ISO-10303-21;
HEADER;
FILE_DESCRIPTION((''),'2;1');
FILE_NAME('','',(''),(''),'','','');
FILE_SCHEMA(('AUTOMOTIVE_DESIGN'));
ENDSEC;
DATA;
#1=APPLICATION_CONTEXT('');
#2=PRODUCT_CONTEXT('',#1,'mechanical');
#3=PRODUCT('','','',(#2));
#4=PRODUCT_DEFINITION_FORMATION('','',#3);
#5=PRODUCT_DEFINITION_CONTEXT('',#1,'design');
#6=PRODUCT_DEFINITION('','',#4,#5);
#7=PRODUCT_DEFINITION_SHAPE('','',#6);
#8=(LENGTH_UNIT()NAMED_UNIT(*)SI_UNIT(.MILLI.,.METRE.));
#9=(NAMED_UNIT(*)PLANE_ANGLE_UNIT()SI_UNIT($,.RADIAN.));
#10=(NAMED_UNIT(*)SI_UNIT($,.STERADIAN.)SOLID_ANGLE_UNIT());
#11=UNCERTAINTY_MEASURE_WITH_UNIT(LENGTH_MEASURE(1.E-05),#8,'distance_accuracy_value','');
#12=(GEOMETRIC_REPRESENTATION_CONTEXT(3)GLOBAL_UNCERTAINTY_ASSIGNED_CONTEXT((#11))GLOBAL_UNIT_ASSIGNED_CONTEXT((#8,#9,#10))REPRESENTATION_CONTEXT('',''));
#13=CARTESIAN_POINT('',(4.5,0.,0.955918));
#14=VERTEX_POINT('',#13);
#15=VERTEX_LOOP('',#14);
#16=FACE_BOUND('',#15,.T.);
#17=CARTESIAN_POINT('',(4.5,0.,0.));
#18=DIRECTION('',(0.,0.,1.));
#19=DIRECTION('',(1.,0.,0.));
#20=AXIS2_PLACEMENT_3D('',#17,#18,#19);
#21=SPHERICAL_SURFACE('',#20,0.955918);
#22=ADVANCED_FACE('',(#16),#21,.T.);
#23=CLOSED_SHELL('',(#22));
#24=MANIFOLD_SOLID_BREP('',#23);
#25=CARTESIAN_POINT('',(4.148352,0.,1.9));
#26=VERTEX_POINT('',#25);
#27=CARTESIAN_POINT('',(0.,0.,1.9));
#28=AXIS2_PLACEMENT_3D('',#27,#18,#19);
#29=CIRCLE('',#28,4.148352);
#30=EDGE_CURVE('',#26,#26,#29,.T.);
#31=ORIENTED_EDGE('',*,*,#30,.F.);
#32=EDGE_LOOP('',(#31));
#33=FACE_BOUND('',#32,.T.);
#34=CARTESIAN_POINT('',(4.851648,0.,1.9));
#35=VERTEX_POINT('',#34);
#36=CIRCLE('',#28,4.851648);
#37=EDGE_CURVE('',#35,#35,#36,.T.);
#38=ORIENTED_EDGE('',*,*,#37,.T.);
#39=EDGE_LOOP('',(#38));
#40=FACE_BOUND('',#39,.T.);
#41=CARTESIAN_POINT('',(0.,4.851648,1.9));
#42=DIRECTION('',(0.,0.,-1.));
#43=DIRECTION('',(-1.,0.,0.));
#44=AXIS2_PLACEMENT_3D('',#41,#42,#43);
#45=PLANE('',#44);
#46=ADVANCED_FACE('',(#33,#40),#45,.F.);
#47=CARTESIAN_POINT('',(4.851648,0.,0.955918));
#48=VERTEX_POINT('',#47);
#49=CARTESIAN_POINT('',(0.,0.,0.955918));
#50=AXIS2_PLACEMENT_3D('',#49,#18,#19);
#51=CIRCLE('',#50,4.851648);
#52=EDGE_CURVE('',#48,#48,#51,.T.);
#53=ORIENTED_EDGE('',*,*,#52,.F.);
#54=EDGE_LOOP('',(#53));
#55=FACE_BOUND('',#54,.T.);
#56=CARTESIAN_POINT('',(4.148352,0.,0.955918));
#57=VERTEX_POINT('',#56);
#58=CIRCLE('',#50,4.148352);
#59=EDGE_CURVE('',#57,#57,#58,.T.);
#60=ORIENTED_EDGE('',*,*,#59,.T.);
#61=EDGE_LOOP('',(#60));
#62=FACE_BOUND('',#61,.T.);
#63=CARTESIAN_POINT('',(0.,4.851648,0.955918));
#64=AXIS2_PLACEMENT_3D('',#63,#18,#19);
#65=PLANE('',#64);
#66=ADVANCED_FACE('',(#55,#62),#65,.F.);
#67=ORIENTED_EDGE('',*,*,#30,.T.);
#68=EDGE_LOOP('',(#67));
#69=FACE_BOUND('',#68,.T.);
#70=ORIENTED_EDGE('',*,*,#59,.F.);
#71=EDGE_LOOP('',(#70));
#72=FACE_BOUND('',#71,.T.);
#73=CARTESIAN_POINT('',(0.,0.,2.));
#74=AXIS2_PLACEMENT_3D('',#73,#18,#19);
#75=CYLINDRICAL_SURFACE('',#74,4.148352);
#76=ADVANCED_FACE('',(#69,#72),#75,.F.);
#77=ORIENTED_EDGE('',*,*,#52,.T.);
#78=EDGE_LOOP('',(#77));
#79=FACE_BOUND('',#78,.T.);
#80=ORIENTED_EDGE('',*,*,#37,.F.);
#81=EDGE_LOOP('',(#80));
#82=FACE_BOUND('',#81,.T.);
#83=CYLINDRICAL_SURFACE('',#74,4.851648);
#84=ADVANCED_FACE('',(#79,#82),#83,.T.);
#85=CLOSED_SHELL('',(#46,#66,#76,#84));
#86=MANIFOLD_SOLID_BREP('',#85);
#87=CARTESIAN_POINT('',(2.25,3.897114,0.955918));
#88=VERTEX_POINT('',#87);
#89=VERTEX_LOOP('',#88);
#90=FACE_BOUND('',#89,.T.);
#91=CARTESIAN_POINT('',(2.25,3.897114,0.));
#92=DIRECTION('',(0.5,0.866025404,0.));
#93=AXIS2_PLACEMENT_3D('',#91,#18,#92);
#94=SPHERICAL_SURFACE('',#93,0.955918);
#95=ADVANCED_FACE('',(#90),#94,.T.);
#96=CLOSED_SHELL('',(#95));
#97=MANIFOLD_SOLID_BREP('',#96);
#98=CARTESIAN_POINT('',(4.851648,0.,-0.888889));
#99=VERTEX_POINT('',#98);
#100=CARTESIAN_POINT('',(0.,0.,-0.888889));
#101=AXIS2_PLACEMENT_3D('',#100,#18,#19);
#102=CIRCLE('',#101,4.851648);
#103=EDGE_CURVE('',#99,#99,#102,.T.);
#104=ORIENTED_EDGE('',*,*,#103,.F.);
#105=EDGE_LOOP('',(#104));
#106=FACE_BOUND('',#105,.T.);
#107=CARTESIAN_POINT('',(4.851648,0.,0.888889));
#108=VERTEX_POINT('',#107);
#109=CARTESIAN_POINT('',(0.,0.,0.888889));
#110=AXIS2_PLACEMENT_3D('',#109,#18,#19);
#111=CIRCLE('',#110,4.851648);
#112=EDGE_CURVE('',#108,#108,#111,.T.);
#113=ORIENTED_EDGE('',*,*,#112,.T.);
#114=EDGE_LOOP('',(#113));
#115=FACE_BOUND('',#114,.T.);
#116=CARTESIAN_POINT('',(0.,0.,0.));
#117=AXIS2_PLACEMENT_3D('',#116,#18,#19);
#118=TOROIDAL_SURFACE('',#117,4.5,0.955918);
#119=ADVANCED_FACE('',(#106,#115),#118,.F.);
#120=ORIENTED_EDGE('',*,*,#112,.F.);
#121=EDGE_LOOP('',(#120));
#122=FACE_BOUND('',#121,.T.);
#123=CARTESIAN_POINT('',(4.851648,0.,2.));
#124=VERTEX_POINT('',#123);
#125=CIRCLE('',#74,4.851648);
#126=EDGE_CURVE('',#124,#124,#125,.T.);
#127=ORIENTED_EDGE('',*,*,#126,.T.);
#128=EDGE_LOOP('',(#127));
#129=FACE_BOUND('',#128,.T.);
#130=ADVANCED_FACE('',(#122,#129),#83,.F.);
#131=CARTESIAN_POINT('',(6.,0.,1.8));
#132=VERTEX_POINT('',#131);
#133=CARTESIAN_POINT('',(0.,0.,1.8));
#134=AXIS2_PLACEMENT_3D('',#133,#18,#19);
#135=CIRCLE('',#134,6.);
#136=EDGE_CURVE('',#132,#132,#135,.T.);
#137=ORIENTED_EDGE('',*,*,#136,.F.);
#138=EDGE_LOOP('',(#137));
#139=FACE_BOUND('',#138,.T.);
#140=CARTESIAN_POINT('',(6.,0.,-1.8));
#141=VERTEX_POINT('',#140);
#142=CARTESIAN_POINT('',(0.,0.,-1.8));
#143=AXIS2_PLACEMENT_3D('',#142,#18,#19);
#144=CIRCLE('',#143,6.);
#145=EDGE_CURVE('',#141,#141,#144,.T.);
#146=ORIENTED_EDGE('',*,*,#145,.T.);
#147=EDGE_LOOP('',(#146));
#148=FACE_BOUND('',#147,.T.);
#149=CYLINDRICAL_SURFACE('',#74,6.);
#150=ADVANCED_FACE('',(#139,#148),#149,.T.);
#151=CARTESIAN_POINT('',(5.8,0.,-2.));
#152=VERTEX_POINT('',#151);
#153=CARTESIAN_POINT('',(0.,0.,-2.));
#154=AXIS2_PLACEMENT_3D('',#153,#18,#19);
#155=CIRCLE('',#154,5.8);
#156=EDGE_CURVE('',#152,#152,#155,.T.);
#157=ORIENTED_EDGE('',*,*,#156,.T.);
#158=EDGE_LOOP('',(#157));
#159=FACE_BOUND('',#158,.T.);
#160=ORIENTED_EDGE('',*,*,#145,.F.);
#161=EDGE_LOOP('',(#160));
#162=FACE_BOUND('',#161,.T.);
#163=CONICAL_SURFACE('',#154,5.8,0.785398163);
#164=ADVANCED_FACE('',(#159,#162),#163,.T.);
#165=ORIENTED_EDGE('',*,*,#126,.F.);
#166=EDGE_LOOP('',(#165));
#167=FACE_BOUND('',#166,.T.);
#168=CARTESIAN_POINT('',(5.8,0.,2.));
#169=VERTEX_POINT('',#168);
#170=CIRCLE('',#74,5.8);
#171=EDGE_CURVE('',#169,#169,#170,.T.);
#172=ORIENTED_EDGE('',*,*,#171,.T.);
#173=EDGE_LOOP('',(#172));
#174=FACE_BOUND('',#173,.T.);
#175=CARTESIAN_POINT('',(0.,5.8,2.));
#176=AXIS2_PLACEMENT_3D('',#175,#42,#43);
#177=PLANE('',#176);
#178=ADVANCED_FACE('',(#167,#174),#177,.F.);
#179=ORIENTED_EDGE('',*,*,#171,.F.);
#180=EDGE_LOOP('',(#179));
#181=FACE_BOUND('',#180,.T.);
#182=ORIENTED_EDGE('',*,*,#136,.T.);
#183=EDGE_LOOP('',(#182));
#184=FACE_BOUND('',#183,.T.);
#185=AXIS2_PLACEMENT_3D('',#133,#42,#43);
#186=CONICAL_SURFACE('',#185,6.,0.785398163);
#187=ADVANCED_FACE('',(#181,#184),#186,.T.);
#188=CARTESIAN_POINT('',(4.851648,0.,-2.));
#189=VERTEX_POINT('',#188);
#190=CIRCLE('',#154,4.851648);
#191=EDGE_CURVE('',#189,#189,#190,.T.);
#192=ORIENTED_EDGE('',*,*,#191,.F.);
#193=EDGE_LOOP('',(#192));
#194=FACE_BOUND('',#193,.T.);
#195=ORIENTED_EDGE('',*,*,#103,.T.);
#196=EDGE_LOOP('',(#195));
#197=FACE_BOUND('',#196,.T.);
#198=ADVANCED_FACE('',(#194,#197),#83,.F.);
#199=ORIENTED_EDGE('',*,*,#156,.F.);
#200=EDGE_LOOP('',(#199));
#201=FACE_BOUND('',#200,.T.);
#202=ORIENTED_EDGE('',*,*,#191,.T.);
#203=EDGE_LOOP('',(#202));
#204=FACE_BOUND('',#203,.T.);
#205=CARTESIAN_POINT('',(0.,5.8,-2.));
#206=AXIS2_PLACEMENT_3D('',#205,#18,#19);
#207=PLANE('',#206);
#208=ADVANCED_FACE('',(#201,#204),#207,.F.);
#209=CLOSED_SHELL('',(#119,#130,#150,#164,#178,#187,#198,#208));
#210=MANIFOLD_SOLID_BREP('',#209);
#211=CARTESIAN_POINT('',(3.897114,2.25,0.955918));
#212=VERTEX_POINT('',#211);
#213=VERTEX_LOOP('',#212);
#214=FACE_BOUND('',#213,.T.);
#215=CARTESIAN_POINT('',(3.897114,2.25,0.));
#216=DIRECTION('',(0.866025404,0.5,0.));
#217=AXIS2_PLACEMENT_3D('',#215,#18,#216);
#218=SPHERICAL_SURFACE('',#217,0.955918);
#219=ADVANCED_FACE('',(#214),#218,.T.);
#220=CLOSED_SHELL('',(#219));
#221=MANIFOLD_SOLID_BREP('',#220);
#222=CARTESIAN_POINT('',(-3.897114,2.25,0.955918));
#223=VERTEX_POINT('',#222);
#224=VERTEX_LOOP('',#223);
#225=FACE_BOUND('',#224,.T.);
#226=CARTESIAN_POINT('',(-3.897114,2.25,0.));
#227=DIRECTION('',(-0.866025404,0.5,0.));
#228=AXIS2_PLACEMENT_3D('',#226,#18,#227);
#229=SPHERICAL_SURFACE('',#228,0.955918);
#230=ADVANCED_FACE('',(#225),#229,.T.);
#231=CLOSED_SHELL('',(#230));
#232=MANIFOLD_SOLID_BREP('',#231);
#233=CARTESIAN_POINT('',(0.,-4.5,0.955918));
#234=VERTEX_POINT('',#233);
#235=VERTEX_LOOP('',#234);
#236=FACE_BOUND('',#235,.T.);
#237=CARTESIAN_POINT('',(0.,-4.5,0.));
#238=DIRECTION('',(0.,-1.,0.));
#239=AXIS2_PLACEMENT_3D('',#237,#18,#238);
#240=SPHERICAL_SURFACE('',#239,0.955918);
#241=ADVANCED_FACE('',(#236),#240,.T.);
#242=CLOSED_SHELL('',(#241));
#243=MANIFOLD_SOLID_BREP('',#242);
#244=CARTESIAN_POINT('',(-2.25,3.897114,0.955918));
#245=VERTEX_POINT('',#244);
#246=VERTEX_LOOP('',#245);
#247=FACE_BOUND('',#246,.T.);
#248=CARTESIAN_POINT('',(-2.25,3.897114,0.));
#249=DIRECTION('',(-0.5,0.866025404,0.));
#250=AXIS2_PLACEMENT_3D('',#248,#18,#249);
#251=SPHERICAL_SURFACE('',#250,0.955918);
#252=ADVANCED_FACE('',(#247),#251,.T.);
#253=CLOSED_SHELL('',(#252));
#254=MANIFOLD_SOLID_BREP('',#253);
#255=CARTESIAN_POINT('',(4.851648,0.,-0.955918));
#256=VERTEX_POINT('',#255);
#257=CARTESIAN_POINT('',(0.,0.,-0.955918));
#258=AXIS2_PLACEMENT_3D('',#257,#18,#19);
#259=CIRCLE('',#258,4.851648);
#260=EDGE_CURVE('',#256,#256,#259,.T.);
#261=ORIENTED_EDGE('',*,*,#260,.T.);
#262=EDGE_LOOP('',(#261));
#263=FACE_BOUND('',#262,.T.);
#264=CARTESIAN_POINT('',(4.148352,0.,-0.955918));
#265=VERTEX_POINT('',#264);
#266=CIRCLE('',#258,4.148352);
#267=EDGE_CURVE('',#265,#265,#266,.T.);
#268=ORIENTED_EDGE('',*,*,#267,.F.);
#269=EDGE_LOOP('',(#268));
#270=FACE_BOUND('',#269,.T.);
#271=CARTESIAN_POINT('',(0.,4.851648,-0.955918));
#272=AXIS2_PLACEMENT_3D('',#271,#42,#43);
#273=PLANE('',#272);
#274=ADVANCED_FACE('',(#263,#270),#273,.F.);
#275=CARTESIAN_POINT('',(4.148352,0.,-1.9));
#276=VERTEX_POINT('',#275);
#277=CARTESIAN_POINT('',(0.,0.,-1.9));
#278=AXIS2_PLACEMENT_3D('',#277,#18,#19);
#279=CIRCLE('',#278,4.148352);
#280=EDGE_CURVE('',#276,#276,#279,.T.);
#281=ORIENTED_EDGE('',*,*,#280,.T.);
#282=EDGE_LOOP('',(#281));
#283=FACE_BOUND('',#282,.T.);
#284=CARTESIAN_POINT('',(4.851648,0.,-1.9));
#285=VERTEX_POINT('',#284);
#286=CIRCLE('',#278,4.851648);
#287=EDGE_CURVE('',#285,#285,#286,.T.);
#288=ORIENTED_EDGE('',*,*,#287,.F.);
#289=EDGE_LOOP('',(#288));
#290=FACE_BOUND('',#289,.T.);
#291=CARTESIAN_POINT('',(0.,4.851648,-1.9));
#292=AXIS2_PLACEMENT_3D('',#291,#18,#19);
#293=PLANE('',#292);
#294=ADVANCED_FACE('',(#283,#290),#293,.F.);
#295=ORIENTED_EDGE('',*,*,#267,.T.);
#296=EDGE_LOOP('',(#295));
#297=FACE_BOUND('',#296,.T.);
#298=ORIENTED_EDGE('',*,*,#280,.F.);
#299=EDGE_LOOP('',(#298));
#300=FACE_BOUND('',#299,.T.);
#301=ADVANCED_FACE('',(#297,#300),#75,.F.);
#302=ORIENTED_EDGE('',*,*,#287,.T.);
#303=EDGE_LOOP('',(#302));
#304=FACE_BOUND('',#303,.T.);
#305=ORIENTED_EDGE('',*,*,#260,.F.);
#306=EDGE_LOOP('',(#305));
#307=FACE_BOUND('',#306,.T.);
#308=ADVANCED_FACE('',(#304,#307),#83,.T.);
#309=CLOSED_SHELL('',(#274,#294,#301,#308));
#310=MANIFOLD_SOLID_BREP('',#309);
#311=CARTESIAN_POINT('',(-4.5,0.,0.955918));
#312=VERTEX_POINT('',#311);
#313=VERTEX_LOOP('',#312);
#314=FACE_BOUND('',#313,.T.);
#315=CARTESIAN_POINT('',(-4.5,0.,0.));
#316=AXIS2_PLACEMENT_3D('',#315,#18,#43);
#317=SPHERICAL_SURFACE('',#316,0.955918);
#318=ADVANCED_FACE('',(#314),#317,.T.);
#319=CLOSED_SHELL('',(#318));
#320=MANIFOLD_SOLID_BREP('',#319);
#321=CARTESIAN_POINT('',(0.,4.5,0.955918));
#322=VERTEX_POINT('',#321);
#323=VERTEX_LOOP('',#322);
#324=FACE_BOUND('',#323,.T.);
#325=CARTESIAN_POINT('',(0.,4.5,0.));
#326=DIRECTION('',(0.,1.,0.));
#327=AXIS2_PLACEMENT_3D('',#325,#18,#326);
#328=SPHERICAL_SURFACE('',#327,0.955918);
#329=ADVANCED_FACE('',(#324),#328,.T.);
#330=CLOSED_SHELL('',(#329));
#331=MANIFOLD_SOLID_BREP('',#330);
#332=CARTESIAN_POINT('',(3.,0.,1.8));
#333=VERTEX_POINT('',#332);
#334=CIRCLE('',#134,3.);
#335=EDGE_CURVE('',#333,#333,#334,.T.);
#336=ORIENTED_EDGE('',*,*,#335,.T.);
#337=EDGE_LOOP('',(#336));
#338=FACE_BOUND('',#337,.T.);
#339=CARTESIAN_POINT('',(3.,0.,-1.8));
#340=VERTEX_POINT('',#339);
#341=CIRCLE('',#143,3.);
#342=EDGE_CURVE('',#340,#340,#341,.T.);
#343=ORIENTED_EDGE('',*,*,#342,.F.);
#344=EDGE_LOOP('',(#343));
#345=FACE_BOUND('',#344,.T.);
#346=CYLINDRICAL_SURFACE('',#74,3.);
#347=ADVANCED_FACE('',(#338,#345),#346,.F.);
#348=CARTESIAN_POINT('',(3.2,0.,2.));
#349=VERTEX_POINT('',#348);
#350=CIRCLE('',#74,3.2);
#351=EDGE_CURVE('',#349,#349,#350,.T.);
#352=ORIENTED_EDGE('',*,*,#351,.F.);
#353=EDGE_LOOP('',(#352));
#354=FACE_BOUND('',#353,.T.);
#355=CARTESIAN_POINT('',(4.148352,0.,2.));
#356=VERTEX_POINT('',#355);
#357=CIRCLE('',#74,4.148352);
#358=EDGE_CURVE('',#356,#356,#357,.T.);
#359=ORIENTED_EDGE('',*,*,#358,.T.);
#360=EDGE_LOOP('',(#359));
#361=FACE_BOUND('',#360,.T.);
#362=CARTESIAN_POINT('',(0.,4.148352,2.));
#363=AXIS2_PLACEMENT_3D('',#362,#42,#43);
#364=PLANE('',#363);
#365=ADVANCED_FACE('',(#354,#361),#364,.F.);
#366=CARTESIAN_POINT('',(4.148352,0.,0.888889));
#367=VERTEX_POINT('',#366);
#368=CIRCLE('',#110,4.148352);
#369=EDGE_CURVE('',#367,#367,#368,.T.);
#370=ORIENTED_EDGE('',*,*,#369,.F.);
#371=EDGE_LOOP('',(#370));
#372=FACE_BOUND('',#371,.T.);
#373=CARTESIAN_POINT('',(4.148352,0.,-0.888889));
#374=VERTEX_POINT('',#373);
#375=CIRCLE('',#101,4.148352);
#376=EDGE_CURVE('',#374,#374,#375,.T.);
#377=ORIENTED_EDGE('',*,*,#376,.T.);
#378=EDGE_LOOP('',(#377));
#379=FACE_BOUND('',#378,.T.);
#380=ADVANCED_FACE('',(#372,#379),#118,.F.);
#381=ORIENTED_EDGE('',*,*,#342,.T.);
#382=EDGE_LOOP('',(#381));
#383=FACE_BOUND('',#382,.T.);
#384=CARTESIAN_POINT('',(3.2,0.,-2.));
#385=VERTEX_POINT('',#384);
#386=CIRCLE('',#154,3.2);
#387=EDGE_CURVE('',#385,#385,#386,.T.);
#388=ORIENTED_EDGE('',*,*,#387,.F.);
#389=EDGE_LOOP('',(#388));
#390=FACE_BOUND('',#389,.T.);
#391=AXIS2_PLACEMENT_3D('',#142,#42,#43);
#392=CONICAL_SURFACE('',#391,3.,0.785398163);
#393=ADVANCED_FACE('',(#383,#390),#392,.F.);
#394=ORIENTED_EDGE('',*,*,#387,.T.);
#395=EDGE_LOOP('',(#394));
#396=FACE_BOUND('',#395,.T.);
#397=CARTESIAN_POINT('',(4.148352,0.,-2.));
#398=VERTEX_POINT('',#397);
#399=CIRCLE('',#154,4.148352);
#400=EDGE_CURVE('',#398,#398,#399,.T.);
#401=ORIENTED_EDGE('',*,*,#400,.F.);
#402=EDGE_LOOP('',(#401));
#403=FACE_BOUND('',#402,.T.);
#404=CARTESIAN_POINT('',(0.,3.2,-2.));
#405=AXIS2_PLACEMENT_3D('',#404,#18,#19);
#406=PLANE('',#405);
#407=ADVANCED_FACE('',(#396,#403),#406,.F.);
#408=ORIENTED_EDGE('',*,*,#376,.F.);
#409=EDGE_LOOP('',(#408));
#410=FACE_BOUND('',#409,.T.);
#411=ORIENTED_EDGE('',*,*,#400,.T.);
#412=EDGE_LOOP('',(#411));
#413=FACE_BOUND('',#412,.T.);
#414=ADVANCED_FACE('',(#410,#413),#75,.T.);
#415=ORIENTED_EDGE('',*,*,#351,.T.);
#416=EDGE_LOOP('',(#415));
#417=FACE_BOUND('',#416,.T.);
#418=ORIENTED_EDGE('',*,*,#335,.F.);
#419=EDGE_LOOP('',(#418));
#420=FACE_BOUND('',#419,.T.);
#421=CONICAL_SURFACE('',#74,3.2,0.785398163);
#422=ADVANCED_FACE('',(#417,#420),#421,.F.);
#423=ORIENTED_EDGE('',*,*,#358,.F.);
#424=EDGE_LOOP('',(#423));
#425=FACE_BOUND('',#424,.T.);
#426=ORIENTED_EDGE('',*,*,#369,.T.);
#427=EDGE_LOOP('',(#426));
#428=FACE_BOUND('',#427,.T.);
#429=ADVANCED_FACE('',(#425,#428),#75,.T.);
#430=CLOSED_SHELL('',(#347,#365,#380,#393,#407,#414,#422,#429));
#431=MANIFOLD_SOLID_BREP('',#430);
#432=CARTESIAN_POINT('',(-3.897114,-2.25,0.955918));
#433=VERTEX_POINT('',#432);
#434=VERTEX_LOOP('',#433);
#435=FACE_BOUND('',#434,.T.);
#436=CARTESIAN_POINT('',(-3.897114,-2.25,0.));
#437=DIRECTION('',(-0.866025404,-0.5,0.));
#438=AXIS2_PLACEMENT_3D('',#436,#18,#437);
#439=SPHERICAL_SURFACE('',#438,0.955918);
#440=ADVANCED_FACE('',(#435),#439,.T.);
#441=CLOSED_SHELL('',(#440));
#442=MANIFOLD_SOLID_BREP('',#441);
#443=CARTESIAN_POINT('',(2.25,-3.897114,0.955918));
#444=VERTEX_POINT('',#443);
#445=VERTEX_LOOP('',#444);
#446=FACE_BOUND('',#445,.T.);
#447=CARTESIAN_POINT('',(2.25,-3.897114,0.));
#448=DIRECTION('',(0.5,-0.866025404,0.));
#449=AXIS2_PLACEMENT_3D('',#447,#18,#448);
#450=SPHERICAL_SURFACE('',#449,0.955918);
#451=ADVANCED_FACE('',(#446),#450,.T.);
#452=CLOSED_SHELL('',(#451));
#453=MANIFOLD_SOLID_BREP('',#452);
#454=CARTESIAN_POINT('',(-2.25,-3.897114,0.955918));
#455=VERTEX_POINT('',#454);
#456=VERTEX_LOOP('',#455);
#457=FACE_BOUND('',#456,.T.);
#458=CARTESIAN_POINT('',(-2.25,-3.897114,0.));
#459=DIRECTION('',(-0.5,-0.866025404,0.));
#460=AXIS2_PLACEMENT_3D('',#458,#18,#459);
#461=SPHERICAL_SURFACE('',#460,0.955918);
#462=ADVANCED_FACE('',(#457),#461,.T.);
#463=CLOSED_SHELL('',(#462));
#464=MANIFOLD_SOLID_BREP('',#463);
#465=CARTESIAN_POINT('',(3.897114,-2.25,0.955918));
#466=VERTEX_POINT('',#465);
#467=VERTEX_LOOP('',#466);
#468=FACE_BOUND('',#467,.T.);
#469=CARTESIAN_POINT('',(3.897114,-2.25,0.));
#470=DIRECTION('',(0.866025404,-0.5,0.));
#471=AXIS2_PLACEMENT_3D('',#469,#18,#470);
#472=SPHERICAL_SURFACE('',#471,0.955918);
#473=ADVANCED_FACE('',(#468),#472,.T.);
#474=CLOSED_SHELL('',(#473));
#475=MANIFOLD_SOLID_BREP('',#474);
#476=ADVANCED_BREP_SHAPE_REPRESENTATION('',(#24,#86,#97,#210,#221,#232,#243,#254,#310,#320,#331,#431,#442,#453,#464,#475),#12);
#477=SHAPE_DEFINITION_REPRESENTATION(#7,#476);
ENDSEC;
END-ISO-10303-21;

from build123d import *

# Parameters (mm, degrees)
CIRPATTERN1_COUNT = 12
SKETCH5_W         = 0.944081583
SKETCH5_H         = 0.703296704


with BuildPart() as part:
    # Sketch1 → Revolve1 (revolve)
    with BuildSketch(Plane(origin=(0, 0, 0), x_dir=(0, 0, -1), z_dir=(1, 0, 0))):
        with BuildLine():
            Line((1.8, 6), (-1.8, 6))
            Line((-1.8, 6), (-2, 5.8))
            Line((-2, 5.8), (-2, 4.851648352))
            Line((-2, 4.851648352), (-0.888888889, 4.851648352))
            ThreePointArc((-0.888888889, 4.851648352), (0, 5.455918417), (0.888888889, 4.851648352))
            Line((0.888888889, 4.851648352), (2, 4.851648352))
            Line((2, 4.851648352), (2, 5.8))
            Line((2, 5.8), (1.8, 6))
        make_face()
    revolve(axis=Axis((0, 0, 2), (0, 0, -1)))


with BuildPart() as body_2:
    # Sketch3 → Revolve3 (revolve)
    with BuildSketch(Plane(origin=(0, 0, 0), x_dir=(0, 0, -1), z_dir=(1, 0, 0))):
        with BuildLine():
            Line((-2, 4.148351648), (-0.888888889, 4.148351648))
            ThreePointArc((-0.888888889, 4.148351648), (0, 3.544081583), (0.888888889, 4.148351648))
            Line((0.888888889, 4.148351648), (2, 4.148351648))
            Line((2, 4.148351648), (2, 3.2))
            Line((2, 3.2), (1.8, 3))
            Line((1.8, 3), (-1.8, 3))
            Line((-1.8, 3), (-2, 3.2))
            Line((-2, 3.2), (-2, 4.148351648))
        make_face()
    revolve(axis=Axis((0, 0, 2), (0, 0, -1)))


with BuildPart() as body_3:
    # Sketch4 → Revolve4 (revolve)
    with BuildSketch(Plane(origin=(0, 0, 0), x_dir=(0, 0, -1), z_dir=(1, 0, 0))):
        with BuildLine():
            Line((-0.955918417, 4.5), (0.955918417, 4.5))
            ThreePointArc((0.955918417, 4.5), (0, 5.455918417), (-0.955918417, 4.5))
        make_face()
    revolve(axis=Axis((0, 4.5, 0.955918417), (0, 0, -1)))


with BuildPart() as cirpattern1_1:
    # CirPattern1: pattern copy
    add(body_3.part.rotate(Axis((0, 0, 0), (0, 0, 1)), 1 * 360 / CIRPATTERN1_COUNT))


with BuildPart() as cirpattern1_2:
    # CirPattern1: pattern copy
    add(body_3.part.rotate(Axis((0, 0, 0), (0, 0, 1)), 2 * 360 / CIRPATTERN1_COUNT))


with BuildPart() as cirpattern1_3:
    # CirPattern1: pattern copy
    add(body_3.part.rotate(Axis((0, 0, 0), (0, 0, 1)), 3 * 360 / CIRPATTERN1_COUNT))


with BuildPart() as cirpattern1_4:
    # CirPattern1: pattern copy
    add(body_3.part.rotate(Axis((0, 0, 0), (0, 0, 1)), 4 * 360 / CIRPATTERN1_COUNT))


with BuildPart() as cirpattern1_5:
    # CirPattern1: pattern copy
    add(body_3.part.rotate(Axis((0, 0, 0), (0, 0, 1)), 5 * 360 / CIRPATTERN1_COUNT))


with BuildPart() as cirpattern1_6:
    # CirPattern1: pattern copy
    add(body_3.part.rotate(Axis((0, 0, 0), (0, 0, 1)), 6 * 360 / CIRPATTERN1_COUNT))


with BuildPart() as cirpattern1_7:
    # CirPattern1: pattern copy
    add(body_3.part.rotate(Axis((0, 0, 0), (0, 0, 1)), 7 * 360 / CIRPATTERN1_COUNT))


with BuildPart() as cirpattern1_8:
    # CirPattern1: pattern copy
    add(body_3.part.rotate(Axis((0, 0, 0), (0, 0, 1)), 8 * 360 / CIRPATTERN1_COUNT))


with BuildPart() as cirpattern1_9:
    # CirPattern1: pattern copy
    add(body_3.part.rotate(Axis((0, 0, 0), (0, 0, 1)), 9 * 360 / CIRPATTERN1_COUNT))


with BuildPart() as cirpattern1_10:
    # CirPattern1: pattern copy
    add(body_3.part.rotate(Axis((0, 0, 0), (0, 0, 1)), 10 * 360 / CIRPATTERN1_COUNT))


with BuildPart() as cirpattern1_11:
    # CirPattern1: pattern copy
    add(body_3.part.rotate(Axis((0, 0, 0), (0, 0, 1)), 11 * 360 / CIRPATTERN1_COUNT))


with BuildPart() as body_15:
    # Sketch5 → Revolve5 (revolve)
    with BuildSketch(Plane(origin=(0, 0, 0), x_dir=(0, 0, -1), z_dir=(1, 0, 0))):
        with Locations((-1.427959209, 4.5)):
            Rectangle(SKETCH5_W, SKETCH5_H)
        with Locations((1.427959209, 4.5)):
            Rectangle(SKETCH5_W, SKETCH5_H)
    revolve(axis=Axis((0, 0, 2), (0, 0, -1)))


solid = Compound([part.part, body_2.part, body_3.part, cirpattern1_1.part, cirpattern1_2.part, cirpattern1_3.part, cirpattern1_4.part, cirpattern1_5.part, cirpattern1_6.part, cirpattern1_7.part, cirpattern1_8.part, cirpattern1_9.part, cirpattern1_10.part, cirpattern1_11.part, body_15.part])
